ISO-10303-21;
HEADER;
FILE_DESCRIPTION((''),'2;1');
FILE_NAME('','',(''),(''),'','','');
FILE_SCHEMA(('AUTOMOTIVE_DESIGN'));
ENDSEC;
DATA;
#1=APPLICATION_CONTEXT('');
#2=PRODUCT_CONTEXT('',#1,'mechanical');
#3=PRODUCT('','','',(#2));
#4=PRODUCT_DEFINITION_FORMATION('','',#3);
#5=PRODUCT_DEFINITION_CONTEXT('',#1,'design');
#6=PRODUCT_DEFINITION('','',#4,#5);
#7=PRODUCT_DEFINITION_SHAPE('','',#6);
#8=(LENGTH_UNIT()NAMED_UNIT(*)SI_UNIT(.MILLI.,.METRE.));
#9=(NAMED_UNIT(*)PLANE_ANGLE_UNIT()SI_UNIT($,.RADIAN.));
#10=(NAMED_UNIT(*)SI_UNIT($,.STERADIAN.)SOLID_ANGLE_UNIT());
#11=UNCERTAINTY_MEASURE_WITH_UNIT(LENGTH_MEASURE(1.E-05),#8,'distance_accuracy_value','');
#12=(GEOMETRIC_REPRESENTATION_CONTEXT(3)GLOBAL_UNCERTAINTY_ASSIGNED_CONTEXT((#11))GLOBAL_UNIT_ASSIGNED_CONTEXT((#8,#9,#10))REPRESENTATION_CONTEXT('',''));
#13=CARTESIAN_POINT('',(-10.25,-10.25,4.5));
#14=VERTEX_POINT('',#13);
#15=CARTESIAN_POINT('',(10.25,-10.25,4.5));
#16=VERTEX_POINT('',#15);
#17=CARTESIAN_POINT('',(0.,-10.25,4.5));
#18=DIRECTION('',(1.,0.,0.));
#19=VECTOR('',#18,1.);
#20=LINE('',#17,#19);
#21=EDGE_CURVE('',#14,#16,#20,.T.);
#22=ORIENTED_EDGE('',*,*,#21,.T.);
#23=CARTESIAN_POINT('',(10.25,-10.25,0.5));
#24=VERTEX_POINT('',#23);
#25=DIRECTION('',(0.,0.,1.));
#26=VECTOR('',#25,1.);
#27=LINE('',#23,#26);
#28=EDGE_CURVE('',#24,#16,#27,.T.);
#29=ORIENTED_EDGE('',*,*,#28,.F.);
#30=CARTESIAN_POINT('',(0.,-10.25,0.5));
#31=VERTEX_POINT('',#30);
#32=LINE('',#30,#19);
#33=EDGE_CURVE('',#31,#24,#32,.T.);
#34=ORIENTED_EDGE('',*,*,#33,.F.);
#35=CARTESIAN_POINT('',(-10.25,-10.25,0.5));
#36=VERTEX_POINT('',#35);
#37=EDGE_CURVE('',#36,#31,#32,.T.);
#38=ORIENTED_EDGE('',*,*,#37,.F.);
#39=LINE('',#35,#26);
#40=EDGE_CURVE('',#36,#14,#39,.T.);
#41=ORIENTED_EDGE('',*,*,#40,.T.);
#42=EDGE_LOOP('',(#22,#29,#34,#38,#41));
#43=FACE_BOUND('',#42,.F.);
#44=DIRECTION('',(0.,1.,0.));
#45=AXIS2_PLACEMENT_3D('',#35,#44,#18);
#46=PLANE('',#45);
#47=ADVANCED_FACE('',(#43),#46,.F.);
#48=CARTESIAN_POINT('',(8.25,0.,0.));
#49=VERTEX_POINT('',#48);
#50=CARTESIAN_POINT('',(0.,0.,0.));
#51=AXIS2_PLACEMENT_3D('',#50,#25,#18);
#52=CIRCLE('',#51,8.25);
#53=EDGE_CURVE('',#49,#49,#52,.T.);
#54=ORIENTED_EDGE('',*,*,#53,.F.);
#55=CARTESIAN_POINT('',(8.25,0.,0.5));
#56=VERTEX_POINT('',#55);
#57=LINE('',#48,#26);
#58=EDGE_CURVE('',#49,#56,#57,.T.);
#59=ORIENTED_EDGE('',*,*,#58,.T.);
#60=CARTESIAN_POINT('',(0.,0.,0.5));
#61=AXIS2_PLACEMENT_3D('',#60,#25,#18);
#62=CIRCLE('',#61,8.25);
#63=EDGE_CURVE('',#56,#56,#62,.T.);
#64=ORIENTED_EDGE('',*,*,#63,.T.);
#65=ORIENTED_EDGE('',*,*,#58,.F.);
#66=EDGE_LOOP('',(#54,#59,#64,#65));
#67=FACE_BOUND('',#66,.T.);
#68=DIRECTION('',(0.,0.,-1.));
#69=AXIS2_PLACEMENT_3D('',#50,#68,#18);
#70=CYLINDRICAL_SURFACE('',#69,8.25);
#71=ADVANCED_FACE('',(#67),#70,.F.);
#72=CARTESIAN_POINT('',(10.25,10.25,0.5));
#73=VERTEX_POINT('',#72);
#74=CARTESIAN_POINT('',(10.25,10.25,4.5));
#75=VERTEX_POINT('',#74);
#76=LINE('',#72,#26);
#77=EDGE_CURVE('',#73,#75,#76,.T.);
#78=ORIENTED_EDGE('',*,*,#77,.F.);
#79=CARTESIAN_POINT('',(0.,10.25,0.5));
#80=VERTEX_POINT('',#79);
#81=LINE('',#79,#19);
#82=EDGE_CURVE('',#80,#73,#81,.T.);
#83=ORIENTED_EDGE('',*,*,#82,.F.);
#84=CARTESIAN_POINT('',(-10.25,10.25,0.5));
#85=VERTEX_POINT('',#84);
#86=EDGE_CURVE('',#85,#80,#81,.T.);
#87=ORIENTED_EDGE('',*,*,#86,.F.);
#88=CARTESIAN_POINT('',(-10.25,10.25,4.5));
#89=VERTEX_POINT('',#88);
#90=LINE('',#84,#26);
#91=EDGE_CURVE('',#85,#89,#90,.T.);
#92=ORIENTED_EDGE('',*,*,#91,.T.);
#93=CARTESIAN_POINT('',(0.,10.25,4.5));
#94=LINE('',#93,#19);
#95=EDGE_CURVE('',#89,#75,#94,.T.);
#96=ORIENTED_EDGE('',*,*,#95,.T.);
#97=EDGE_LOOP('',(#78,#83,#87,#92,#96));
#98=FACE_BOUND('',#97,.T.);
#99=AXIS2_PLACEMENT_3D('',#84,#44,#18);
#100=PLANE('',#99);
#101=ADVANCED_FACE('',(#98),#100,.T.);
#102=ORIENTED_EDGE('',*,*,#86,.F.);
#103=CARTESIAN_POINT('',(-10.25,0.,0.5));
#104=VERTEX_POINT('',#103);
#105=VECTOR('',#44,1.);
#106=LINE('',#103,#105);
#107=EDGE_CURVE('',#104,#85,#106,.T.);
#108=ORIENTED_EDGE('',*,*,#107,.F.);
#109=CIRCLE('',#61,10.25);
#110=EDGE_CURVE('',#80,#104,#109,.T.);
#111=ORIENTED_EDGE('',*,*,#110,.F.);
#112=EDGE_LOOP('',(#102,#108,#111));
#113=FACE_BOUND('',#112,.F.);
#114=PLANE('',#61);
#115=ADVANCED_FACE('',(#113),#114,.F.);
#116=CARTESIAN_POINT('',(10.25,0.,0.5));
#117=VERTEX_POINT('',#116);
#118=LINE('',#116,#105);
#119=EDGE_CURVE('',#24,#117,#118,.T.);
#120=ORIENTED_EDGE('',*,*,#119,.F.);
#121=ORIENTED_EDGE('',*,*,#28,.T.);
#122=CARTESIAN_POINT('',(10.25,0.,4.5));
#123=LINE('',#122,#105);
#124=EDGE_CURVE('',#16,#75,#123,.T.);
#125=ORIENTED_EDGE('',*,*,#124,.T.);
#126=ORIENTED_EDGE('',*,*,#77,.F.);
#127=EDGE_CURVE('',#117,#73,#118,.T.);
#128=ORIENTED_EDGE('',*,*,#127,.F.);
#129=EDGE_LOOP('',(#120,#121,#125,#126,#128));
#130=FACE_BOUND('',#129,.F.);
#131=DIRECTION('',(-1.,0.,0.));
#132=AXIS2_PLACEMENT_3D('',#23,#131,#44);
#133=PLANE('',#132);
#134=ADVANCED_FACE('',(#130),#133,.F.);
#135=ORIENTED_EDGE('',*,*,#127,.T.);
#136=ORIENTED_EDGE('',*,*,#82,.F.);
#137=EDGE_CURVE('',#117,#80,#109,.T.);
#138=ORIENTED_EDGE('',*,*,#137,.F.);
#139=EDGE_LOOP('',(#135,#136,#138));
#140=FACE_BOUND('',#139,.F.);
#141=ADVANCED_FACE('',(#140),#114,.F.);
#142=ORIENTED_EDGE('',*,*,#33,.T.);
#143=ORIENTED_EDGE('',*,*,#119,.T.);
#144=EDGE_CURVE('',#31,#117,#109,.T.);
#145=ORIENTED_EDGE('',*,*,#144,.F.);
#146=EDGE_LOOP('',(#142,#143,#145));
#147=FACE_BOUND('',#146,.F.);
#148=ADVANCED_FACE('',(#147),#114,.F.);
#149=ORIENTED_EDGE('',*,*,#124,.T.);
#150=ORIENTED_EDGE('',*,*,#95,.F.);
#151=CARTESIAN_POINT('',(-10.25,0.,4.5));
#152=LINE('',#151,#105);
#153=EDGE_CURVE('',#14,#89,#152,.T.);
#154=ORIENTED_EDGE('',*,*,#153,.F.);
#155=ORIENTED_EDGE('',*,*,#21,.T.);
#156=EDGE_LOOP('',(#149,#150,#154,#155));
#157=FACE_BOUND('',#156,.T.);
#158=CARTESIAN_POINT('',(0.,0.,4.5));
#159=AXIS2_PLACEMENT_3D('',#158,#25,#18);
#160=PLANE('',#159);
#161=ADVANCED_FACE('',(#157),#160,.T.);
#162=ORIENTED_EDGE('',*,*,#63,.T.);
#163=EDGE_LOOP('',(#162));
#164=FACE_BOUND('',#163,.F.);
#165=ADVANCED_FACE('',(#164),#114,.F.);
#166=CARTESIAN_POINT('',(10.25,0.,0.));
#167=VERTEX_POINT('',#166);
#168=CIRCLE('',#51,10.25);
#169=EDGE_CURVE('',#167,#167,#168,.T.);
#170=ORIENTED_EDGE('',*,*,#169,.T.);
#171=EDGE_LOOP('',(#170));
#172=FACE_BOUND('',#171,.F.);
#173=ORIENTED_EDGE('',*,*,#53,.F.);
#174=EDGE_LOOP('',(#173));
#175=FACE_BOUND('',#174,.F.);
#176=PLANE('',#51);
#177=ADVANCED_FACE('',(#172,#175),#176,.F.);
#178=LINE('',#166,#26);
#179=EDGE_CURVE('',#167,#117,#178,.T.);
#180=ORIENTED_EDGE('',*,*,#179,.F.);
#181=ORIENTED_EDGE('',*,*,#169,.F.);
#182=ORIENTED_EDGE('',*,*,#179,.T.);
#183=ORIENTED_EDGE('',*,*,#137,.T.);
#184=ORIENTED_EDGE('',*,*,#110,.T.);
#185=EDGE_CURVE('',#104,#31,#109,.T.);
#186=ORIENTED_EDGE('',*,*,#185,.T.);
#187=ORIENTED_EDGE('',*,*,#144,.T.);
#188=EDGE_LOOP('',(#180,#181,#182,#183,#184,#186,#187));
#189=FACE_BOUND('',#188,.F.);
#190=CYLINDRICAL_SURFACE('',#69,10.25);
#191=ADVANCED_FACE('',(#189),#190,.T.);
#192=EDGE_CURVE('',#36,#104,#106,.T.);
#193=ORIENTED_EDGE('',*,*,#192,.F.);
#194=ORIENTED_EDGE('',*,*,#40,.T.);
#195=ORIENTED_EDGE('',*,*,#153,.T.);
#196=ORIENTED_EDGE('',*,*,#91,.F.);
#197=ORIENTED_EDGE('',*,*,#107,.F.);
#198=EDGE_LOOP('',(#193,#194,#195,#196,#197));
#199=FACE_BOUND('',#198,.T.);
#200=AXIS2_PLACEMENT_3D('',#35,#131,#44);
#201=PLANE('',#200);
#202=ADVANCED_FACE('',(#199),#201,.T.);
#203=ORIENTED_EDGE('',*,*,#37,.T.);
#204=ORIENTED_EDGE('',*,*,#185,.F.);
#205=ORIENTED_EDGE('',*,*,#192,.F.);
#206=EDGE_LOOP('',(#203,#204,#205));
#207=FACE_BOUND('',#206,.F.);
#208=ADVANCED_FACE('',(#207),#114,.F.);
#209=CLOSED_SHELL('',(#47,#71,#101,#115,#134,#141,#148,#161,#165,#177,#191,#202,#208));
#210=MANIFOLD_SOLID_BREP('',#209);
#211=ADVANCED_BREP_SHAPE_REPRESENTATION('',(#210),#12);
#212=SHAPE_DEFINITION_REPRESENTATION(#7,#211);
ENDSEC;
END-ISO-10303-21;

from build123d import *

# Parameters (mm, degrees)
F0_R     = 10.25
F0_R_2   = 8.25
F1_DEPTH = 0.5
F2_W     = 20.5
F2_H     = 20.5
F3_DEPTH = 4


with BuildPart() as f1:
    # F0 (on Top) → F1 (new body)
    with BuildSketch(Plane.XY):
        Circle(F0_R)
        Circle(F0_R_2, mode=Mode.SUBTRACT)
    extrude(amount=F1_DEPTH)

    # F2 (on face) → F3 (join)
    with BuildSketch(Plane.XY.offset(0.5)):
        Rectangle(F2_W, F2_H)
    extrude(amount=F3_DEPTH)


solid = f1.part
